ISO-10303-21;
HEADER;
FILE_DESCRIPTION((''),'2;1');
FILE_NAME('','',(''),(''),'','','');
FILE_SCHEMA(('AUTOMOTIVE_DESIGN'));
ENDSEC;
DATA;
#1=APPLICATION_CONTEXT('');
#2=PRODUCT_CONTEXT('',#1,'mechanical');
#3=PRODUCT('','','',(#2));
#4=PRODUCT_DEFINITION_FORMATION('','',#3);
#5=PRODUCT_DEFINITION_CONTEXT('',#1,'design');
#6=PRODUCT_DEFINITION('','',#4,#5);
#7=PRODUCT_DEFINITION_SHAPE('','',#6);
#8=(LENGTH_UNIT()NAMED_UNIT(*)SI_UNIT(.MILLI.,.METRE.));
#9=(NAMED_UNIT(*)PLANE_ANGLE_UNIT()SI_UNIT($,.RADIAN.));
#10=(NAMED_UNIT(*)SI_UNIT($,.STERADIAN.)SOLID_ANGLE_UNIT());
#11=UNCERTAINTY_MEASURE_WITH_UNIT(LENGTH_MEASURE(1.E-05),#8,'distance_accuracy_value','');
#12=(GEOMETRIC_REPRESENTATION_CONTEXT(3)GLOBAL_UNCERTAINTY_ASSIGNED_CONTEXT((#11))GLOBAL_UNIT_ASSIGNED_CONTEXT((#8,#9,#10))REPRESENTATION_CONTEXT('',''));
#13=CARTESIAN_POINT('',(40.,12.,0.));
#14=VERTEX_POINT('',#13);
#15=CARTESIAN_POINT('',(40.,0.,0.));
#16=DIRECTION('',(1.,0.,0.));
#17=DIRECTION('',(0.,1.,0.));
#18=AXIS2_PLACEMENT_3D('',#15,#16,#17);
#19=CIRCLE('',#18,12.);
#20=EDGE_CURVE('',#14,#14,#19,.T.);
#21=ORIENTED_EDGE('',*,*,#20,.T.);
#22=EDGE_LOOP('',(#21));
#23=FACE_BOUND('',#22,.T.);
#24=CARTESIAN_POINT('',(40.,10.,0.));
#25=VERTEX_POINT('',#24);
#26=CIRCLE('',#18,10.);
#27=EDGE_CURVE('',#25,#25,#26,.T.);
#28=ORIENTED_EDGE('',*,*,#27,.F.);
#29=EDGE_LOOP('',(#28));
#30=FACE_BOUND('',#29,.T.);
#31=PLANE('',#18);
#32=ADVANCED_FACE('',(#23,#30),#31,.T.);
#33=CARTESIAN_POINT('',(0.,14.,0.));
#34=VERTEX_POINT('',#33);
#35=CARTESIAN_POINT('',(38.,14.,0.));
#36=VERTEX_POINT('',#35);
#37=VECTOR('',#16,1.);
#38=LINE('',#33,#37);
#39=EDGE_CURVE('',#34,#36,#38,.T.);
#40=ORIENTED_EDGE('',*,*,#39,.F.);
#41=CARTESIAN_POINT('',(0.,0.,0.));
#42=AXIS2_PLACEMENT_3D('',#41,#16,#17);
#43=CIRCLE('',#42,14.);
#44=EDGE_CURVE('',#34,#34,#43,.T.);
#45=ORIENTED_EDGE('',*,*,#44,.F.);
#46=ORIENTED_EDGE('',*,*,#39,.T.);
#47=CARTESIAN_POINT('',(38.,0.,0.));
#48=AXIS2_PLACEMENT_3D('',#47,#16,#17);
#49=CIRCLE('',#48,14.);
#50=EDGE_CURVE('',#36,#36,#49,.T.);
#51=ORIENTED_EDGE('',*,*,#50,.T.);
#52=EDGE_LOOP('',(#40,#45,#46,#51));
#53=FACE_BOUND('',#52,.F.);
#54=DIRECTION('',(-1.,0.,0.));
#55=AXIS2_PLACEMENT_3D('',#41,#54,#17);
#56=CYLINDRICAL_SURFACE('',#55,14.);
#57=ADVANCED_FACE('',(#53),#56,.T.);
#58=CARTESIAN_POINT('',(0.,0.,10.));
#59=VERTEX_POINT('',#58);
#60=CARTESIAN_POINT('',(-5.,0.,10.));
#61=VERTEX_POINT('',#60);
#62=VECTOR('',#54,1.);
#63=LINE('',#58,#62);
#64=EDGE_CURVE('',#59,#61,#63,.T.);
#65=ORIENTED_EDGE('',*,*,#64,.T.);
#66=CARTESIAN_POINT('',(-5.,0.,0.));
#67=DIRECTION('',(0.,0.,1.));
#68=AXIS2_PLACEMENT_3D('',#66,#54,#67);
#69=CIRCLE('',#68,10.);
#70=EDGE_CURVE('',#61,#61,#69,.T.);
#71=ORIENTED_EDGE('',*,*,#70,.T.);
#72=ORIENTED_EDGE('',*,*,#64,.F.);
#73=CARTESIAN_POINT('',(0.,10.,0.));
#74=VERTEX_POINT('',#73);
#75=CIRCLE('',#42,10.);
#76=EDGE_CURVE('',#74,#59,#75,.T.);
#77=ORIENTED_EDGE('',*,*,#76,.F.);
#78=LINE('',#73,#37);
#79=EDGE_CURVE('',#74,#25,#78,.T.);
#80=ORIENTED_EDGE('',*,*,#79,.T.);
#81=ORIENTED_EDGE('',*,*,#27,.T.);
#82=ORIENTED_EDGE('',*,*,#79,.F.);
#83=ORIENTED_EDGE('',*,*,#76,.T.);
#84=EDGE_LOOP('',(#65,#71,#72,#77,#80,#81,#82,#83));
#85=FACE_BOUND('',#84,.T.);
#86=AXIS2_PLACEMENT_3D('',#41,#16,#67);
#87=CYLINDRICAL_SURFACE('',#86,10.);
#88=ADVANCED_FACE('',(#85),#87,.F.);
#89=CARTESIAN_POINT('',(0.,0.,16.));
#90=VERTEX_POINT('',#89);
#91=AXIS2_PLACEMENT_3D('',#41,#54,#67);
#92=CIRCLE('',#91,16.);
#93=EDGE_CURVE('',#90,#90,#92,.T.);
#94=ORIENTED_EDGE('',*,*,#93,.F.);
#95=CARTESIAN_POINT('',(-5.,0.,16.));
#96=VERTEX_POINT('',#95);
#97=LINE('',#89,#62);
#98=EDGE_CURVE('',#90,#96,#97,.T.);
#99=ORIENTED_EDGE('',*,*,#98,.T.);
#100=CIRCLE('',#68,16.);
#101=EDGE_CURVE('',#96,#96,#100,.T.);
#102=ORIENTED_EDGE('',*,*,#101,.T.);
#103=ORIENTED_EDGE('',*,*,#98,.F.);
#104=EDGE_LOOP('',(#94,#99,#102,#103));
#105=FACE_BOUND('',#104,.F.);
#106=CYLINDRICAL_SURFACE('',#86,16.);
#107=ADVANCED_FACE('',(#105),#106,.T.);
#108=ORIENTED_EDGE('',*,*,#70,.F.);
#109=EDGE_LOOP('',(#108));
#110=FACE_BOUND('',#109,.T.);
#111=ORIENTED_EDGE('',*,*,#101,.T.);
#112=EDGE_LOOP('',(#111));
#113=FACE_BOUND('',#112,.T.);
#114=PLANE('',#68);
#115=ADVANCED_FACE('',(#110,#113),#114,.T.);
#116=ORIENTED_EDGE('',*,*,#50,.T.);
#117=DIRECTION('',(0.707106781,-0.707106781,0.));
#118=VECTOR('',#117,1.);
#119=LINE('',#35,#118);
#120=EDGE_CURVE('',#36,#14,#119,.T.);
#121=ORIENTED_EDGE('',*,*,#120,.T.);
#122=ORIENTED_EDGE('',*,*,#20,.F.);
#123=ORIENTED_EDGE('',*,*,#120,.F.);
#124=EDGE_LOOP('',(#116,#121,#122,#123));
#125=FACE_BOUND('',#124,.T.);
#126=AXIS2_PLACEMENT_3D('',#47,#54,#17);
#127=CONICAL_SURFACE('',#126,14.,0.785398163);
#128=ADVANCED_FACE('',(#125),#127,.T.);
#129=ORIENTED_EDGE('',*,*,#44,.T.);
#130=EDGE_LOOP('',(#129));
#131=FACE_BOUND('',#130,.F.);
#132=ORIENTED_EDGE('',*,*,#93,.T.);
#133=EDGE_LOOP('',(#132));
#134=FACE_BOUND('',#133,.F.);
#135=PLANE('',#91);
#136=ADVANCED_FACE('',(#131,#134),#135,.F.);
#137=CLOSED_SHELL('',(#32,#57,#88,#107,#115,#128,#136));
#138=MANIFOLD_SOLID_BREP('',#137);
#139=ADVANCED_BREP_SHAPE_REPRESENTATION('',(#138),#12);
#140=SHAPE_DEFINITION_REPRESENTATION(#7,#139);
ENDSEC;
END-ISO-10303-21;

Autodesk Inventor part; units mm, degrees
ref_plane "YZ Plane" through (0, 0, 0) normal (1, 0, 0) x (0, 1, 0)
ref_plane "XZ Plane" through (0, 0, 0) normal (0, 1, 0) x (-1, 0, 0)
ref_plane "XY Plane" through (0, 0, 0) normal (0, 0, 1) x (1, 0, 0)
sketch "Skizze1" plane through (0, 0, 0) normal (1, 0, 0) x (0, 1, 0)
  circle A0 centre (0, 0) radius 14
  circle A1 centre (0, 0) radius 10
  dimension "d0" = 28
  dimension "d1" = 20
extrude "Extrusion1" add sketch "Skizze1" along normal blind 40
chamfer "Fasen1" distance 2 angle 45 1 edges at (40, -14, 0)
sketch "Skizze2" plane through (0, 0, 0) normal (-1, 0, 0) x (0, 0, 1)
  circle A0 centre (0, 0) radius 16
  circle A1 centre (0, 0) radius 10
  dimension "d7" = 32
extrude "Extrusion2" add sketch "Skizze2" along normal blind 5
properties part number "LagerBund" material "Nylon 6/6"
